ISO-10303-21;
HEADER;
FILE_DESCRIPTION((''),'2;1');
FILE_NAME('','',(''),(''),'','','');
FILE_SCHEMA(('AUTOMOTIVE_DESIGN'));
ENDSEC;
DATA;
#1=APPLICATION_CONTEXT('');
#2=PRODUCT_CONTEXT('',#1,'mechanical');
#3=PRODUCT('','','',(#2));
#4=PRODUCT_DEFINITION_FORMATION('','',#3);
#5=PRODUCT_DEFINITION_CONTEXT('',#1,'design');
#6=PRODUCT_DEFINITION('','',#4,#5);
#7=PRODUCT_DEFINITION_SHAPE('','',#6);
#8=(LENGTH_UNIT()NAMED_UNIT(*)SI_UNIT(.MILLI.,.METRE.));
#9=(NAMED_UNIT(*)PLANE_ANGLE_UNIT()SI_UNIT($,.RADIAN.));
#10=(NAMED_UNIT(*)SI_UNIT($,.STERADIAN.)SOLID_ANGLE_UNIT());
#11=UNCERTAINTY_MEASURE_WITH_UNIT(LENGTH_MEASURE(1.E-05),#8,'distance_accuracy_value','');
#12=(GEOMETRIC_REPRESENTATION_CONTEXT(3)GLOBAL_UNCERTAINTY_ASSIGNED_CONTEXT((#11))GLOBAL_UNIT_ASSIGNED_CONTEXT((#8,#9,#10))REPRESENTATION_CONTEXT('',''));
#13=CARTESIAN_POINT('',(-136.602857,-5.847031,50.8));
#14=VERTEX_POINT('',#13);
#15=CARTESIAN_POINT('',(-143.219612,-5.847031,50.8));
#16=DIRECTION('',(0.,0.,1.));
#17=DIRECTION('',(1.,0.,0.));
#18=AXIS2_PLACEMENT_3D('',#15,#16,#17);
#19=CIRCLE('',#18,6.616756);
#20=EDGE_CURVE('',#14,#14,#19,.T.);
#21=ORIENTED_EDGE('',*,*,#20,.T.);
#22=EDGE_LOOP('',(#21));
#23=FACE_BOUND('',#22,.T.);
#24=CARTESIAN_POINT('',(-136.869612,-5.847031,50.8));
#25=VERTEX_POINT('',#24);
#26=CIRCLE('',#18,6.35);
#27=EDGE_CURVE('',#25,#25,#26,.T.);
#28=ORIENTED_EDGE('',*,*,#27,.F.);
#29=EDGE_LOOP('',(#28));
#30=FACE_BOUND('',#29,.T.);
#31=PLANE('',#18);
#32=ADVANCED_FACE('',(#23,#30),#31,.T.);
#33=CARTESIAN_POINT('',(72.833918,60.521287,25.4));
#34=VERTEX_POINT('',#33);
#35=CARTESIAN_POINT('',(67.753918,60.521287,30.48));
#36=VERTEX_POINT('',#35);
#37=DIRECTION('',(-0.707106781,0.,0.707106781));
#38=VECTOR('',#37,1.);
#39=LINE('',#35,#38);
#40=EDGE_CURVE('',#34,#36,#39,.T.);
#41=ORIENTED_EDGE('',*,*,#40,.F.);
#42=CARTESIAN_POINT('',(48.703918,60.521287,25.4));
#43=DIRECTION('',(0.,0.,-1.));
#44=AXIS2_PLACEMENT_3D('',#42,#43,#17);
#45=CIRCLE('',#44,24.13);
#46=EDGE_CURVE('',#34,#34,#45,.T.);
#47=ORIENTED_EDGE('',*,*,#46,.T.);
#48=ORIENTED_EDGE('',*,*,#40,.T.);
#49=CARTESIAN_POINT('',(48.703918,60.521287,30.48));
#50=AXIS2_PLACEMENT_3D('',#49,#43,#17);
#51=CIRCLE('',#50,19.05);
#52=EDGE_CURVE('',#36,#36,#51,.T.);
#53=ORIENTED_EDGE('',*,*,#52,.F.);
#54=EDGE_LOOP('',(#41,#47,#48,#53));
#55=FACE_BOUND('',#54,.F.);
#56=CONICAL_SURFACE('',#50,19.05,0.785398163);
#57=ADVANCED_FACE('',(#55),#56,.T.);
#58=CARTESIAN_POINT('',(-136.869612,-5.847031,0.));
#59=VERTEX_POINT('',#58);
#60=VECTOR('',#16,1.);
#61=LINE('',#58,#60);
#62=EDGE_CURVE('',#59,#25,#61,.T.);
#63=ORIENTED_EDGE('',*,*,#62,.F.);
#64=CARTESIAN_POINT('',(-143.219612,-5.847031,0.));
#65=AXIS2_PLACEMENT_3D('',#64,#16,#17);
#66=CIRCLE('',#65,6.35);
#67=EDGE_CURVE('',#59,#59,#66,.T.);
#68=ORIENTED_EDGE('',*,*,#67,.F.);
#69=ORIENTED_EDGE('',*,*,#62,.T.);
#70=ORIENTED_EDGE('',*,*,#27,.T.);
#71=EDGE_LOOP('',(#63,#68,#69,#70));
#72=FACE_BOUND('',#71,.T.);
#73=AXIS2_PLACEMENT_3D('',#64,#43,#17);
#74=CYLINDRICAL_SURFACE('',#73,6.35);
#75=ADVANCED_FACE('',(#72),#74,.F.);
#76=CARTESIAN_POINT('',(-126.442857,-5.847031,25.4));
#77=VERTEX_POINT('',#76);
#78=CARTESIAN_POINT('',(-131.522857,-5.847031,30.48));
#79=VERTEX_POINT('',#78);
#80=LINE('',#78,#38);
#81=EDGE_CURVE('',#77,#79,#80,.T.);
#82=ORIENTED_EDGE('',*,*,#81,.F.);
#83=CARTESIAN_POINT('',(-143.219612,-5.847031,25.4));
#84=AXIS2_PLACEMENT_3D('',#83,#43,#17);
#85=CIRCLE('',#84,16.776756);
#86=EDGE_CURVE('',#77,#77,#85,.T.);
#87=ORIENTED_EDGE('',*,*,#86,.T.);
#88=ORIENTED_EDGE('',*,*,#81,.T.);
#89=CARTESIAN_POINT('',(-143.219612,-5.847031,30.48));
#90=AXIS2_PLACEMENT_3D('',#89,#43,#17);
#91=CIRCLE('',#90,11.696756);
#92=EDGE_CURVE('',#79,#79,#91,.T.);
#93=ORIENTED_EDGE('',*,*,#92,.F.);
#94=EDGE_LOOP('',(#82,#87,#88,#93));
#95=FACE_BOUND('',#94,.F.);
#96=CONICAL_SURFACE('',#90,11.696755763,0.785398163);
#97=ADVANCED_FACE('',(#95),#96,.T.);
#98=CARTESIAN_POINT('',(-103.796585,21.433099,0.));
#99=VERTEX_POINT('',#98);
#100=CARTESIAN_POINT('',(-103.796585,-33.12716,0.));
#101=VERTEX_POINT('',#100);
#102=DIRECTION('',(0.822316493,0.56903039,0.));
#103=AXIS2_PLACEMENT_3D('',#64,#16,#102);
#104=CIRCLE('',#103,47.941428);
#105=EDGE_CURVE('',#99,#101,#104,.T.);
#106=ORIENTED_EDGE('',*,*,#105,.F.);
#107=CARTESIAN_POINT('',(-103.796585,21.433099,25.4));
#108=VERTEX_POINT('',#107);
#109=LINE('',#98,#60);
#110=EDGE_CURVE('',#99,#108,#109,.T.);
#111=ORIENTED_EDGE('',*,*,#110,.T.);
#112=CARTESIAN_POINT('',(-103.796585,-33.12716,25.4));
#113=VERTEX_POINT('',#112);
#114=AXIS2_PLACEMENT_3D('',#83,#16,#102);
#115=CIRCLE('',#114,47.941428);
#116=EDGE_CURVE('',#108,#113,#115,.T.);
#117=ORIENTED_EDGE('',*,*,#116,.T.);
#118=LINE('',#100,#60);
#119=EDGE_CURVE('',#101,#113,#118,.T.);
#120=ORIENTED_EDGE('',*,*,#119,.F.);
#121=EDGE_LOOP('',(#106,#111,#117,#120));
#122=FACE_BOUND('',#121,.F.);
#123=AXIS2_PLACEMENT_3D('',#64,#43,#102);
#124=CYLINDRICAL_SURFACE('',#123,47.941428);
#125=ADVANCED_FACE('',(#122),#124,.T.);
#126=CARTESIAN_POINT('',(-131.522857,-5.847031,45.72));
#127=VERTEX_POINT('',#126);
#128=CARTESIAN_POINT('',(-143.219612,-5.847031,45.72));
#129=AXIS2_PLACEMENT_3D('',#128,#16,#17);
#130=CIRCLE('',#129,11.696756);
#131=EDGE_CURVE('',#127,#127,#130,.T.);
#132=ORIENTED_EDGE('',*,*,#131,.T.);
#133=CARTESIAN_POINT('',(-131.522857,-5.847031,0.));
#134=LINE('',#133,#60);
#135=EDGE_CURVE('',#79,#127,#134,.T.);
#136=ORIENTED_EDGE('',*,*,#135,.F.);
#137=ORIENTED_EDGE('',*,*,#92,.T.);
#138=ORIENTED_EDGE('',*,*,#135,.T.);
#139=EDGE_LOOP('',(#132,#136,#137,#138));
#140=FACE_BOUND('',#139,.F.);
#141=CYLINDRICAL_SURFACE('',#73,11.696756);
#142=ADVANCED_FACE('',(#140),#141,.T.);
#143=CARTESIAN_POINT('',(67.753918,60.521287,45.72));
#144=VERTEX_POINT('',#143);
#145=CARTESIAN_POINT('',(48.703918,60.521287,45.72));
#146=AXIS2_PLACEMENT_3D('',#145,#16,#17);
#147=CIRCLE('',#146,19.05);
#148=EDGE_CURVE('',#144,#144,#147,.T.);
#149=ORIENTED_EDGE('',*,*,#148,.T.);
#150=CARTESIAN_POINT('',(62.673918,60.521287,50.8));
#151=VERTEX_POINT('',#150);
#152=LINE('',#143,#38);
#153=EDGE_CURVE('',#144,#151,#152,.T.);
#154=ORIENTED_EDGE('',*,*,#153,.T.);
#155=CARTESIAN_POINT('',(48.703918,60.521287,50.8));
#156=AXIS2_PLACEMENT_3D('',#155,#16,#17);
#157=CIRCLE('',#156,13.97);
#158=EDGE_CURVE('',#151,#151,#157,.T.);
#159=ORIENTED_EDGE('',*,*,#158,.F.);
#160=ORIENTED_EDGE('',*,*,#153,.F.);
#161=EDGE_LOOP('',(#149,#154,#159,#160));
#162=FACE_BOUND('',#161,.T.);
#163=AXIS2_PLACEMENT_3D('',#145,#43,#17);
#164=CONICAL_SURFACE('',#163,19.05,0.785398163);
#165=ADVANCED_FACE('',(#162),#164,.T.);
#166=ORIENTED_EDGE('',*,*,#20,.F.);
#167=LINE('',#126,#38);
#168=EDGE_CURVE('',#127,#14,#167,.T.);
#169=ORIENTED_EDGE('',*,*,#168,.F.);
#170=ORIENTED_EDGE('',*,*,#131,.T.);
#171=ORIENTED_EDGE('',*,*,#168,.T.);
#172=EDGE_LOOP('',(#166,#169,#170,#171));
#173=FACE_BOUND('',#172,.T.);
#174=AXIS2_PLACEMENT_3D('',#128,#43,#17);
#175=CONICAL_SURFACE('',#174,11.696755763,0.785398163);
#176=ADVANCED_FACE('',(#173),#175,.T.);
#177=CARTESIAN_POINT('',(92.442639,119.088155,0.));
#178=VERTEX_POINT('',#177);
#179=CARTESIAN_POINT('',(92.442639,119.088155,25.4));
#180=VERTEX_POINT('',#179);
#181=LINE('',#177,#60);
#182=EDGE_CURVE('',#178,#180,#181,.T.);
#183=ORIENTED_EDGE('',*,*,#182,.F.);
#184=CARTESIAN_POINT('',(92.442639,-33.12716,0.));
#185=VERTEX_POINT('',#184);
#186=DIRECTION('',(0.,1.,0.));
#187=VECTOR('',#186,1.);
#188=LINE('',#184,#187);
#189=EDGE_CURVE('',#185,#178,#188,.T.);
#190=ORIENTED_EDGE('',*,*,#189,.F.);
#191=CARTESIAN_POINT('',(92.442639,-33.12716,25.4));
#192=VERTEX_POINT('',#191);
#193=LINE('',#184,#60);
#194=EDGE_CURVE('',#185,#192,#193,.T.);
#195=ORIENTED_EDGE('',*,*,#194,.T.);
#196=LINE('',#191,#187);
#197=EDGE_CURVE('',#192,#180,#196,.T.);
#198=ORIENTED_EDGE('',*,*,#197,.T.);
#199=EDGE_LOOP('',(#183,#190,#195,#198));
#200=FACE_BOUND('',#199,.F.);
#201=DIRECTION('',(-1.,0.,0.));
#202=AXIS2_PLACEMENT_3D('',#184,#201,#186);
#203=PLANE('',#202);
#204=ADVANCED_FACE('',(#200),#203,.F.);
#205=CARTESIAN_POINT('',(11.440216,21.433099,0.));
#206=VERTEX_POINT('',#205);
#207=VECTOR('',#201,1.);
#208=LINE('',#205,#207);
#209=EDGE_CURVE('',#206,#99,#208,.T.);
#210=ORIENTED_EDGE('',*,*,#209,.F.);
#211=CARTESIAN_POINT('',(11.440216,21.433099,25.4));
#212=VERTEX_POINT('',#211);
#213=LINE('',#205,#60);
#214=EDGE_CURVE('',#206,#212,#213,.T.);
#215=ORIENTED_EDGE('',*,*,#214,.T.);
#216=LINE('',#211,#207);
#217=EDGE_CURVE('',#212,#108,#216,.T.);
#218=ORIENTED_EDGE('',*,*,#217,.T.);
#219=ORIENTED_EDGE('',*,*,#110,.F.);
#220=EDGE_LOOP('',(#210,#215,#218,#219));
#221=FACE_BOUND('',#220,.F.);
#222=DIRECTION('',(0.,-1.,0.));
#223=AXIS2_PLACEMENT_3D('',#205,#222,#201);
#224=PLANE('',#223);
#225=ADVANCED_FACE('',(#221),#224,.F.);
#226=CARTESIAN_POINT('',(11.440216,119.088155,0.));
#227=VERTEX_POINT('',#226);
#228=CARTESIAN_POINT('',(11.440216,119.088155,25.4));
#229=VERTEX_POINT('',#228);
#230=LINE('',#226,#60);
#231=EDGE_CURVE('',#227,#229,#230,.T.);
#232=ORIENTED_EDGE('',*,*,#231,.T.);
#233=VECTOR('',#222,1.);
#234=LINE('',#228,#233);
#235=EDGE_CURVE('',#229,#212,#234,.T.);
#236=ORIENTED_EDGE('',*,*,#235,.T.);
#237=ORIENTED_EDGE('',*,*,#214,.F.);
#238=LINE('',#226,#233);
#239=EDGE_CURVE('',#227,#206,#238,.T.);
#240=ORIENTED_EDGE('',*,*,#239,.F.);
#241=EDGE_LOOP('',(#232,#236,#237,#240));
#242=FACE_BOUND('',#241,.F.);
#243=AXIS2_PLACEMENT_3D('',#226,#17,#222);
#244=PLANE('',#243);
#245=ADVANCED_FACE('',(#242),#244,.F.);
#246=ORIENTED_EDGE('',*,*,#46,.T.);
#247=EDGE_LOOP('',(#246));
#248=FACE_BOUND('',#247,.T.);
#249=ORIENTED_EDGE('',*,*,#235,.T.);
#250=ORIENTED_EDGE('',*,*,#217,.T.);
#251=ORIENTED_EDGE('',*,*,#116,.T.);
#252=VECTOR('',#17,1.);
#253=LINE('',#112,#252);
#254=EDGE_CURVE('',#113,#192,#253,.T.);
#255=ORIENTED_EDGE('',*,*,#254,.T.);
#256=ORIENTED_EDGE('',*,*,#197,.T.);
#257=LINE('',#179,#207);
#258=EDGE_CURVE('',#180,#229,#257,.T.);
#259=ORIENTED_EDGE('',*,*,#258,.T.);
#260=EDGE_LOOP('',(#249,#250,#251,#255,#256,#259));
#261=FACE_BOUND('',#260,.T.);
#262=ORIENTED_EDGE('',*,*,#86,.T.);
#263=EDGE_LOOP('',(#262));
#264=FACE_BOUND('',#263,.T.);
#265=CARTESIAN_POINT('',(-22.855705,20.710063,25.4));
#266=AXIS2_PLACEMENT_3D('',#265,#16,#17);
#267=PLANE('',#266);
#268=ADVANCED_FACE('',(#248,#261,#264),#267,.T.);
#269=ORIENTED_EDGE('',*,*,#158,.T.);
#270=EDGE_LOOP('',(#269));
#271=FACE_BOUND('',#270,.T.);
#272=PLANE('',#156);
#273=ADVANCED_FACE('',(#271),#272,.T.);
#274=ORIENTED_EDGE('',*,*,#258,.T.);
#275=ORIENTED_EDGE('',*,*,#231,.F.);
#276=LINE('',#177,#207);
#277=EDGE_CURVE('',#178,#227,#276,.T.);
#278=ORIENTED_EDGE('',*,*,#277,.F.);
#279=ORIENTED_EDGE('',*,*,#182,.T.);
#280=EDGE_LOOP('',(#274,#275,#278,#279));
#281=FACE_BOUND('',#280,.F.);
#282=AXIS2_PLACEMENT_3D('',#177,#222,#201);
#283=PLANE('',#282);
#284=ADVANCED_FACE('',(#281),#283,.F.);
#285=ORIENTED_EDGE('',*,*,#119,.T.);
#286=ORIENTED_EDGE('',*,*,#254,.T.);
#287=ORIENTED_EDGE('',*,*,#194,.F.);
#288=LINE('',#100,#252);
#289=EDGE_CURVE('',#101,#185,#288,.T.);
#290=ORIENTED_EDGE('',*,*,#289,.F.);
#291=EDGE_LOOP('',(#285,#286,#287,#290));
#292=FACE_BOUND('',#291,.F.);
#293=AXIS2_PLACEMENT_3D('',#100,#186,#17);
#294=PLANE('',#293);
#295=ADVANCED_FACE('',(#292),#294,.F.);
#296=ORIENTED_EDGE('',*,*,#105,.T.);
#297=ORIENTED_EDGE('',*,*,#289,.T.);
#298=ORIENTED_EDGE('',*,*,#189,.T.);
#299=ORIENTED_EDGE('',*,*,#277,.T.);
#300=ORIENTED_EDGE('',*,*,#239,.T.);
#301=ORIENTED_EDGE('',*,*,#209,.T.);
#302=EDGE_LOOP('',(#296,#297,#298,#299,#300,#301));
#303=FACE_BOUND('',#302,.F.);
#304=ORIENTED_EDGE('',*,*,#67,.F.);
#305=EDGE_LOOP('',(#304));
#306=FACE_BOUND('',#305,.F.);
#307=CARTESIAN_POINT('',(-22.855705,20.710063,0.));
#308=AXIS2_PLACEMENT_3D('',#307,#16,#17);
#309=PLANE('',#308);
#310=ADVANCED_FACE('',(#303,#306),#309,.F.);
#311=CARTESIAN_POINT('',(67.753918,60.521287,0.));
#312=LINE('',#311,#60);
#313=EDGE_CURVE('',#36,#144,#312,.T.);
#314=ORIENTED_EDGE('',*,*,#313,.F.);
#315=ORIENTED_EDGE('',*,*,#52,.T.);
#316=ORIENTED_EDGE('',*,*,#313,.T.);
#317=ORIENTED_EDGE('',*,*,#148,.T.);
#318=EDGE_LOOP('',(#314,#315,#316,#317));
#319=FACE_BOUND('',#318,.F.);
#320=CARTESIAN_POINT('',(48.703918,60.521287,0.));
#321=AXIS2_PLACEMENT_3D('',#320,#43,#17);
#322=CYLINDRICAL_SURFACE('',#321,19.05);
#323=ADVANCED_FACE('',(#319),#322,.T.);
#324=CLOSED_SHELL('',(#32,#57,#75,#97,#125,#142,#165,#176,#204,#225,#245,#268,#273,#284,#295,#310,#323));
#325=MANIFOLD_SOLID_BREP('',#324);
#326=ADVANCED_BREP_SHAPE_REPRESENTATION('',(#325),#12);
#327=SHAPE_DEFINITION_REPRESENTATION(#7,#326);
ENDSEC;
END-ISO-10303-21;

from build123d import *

# Parameters (mm, degrees)
F0_R     = 11.6967557634
F0_R_2   = 19.05
F0_R_3   = 6.35
F1_DEPTH = 25.4
F2_DEPTH = 50.8
F3_SIZE  = 5.08


with BuildPart() as f1:
    # F0 (on Top) → F1 (new body)
    with BuildSketch(Plane.XY):
        with BuildLine():
            Line((92.4426392051, -33.1271603522), (92.4426392051, 119.0881550823))
            Line((92.4426392051, 119.0881550823), (11.4402162096, 119.0881550823))
            Line((11.4402162096, 119.0881550823), (11.4402162096, 21.4330990914))
            Line((11.4402162096, 21.4330990914), (-103.7965849838, 21.4330990914))
            ThreePointArc((-103.7965849838, 21.4330990914), (-191.1610406822, -5.8470306304), (-103.7965849838, -33.1271603522))
            Line((-103.7965849838, -33.1271603522), (92.4426392051, -33.1271603522))
        make_face()
        with Locations((-143.2196122709, -5.8470306304)):
            Circle(F0_R, mode=Mode.SUBTRACT)
        with Locations((48.7039178401, 60.5212869929)):
            Circle(F0_R_2, mode=Mode.SUBTRACT)
        with Locations((48.7039178401, 60.5212869929)):
            Circle(F0_R_2)
        with Locations((-143.2196122709, -5.8470306304)):
            Circle(F0_R)
        with Locations((-143.2196122709, -5.8470306304)):
            Circle(F0_R_3, mode=Mode.SUBTRACT)
    extrude(amount=F1_DEPTH)

    # F0 (on Top) → F2 (join)
    with BuildSketch(Plane.XY):
        with Locations((-143.2196122709, -5.8470306304)):
            Circle(F0_R)
        with Locations((-143.2196122709, -5.8470306304)):
            Circle(F0_R_3, mode=Mode.SUBTRACT)
        with Locations((48.7039178401, 60.5212869929)):
            Circle(F0_R_2)
    extrude(amount=F2_DEPTH)

    # F3
    f3_edges = [f1.edges().sort_by_distance(p)[0] for p in [
        (29.653918, 60.521287, 50.8),
        (-154.916368, -5.847031, 25.4),
        (-154.916368, -5.847031, 50.8),
        (29.653918, 60.521287, 25.4),
    ]]
    chamfer(f3_edges, length=F3_SIZE)


solid = f1.part
